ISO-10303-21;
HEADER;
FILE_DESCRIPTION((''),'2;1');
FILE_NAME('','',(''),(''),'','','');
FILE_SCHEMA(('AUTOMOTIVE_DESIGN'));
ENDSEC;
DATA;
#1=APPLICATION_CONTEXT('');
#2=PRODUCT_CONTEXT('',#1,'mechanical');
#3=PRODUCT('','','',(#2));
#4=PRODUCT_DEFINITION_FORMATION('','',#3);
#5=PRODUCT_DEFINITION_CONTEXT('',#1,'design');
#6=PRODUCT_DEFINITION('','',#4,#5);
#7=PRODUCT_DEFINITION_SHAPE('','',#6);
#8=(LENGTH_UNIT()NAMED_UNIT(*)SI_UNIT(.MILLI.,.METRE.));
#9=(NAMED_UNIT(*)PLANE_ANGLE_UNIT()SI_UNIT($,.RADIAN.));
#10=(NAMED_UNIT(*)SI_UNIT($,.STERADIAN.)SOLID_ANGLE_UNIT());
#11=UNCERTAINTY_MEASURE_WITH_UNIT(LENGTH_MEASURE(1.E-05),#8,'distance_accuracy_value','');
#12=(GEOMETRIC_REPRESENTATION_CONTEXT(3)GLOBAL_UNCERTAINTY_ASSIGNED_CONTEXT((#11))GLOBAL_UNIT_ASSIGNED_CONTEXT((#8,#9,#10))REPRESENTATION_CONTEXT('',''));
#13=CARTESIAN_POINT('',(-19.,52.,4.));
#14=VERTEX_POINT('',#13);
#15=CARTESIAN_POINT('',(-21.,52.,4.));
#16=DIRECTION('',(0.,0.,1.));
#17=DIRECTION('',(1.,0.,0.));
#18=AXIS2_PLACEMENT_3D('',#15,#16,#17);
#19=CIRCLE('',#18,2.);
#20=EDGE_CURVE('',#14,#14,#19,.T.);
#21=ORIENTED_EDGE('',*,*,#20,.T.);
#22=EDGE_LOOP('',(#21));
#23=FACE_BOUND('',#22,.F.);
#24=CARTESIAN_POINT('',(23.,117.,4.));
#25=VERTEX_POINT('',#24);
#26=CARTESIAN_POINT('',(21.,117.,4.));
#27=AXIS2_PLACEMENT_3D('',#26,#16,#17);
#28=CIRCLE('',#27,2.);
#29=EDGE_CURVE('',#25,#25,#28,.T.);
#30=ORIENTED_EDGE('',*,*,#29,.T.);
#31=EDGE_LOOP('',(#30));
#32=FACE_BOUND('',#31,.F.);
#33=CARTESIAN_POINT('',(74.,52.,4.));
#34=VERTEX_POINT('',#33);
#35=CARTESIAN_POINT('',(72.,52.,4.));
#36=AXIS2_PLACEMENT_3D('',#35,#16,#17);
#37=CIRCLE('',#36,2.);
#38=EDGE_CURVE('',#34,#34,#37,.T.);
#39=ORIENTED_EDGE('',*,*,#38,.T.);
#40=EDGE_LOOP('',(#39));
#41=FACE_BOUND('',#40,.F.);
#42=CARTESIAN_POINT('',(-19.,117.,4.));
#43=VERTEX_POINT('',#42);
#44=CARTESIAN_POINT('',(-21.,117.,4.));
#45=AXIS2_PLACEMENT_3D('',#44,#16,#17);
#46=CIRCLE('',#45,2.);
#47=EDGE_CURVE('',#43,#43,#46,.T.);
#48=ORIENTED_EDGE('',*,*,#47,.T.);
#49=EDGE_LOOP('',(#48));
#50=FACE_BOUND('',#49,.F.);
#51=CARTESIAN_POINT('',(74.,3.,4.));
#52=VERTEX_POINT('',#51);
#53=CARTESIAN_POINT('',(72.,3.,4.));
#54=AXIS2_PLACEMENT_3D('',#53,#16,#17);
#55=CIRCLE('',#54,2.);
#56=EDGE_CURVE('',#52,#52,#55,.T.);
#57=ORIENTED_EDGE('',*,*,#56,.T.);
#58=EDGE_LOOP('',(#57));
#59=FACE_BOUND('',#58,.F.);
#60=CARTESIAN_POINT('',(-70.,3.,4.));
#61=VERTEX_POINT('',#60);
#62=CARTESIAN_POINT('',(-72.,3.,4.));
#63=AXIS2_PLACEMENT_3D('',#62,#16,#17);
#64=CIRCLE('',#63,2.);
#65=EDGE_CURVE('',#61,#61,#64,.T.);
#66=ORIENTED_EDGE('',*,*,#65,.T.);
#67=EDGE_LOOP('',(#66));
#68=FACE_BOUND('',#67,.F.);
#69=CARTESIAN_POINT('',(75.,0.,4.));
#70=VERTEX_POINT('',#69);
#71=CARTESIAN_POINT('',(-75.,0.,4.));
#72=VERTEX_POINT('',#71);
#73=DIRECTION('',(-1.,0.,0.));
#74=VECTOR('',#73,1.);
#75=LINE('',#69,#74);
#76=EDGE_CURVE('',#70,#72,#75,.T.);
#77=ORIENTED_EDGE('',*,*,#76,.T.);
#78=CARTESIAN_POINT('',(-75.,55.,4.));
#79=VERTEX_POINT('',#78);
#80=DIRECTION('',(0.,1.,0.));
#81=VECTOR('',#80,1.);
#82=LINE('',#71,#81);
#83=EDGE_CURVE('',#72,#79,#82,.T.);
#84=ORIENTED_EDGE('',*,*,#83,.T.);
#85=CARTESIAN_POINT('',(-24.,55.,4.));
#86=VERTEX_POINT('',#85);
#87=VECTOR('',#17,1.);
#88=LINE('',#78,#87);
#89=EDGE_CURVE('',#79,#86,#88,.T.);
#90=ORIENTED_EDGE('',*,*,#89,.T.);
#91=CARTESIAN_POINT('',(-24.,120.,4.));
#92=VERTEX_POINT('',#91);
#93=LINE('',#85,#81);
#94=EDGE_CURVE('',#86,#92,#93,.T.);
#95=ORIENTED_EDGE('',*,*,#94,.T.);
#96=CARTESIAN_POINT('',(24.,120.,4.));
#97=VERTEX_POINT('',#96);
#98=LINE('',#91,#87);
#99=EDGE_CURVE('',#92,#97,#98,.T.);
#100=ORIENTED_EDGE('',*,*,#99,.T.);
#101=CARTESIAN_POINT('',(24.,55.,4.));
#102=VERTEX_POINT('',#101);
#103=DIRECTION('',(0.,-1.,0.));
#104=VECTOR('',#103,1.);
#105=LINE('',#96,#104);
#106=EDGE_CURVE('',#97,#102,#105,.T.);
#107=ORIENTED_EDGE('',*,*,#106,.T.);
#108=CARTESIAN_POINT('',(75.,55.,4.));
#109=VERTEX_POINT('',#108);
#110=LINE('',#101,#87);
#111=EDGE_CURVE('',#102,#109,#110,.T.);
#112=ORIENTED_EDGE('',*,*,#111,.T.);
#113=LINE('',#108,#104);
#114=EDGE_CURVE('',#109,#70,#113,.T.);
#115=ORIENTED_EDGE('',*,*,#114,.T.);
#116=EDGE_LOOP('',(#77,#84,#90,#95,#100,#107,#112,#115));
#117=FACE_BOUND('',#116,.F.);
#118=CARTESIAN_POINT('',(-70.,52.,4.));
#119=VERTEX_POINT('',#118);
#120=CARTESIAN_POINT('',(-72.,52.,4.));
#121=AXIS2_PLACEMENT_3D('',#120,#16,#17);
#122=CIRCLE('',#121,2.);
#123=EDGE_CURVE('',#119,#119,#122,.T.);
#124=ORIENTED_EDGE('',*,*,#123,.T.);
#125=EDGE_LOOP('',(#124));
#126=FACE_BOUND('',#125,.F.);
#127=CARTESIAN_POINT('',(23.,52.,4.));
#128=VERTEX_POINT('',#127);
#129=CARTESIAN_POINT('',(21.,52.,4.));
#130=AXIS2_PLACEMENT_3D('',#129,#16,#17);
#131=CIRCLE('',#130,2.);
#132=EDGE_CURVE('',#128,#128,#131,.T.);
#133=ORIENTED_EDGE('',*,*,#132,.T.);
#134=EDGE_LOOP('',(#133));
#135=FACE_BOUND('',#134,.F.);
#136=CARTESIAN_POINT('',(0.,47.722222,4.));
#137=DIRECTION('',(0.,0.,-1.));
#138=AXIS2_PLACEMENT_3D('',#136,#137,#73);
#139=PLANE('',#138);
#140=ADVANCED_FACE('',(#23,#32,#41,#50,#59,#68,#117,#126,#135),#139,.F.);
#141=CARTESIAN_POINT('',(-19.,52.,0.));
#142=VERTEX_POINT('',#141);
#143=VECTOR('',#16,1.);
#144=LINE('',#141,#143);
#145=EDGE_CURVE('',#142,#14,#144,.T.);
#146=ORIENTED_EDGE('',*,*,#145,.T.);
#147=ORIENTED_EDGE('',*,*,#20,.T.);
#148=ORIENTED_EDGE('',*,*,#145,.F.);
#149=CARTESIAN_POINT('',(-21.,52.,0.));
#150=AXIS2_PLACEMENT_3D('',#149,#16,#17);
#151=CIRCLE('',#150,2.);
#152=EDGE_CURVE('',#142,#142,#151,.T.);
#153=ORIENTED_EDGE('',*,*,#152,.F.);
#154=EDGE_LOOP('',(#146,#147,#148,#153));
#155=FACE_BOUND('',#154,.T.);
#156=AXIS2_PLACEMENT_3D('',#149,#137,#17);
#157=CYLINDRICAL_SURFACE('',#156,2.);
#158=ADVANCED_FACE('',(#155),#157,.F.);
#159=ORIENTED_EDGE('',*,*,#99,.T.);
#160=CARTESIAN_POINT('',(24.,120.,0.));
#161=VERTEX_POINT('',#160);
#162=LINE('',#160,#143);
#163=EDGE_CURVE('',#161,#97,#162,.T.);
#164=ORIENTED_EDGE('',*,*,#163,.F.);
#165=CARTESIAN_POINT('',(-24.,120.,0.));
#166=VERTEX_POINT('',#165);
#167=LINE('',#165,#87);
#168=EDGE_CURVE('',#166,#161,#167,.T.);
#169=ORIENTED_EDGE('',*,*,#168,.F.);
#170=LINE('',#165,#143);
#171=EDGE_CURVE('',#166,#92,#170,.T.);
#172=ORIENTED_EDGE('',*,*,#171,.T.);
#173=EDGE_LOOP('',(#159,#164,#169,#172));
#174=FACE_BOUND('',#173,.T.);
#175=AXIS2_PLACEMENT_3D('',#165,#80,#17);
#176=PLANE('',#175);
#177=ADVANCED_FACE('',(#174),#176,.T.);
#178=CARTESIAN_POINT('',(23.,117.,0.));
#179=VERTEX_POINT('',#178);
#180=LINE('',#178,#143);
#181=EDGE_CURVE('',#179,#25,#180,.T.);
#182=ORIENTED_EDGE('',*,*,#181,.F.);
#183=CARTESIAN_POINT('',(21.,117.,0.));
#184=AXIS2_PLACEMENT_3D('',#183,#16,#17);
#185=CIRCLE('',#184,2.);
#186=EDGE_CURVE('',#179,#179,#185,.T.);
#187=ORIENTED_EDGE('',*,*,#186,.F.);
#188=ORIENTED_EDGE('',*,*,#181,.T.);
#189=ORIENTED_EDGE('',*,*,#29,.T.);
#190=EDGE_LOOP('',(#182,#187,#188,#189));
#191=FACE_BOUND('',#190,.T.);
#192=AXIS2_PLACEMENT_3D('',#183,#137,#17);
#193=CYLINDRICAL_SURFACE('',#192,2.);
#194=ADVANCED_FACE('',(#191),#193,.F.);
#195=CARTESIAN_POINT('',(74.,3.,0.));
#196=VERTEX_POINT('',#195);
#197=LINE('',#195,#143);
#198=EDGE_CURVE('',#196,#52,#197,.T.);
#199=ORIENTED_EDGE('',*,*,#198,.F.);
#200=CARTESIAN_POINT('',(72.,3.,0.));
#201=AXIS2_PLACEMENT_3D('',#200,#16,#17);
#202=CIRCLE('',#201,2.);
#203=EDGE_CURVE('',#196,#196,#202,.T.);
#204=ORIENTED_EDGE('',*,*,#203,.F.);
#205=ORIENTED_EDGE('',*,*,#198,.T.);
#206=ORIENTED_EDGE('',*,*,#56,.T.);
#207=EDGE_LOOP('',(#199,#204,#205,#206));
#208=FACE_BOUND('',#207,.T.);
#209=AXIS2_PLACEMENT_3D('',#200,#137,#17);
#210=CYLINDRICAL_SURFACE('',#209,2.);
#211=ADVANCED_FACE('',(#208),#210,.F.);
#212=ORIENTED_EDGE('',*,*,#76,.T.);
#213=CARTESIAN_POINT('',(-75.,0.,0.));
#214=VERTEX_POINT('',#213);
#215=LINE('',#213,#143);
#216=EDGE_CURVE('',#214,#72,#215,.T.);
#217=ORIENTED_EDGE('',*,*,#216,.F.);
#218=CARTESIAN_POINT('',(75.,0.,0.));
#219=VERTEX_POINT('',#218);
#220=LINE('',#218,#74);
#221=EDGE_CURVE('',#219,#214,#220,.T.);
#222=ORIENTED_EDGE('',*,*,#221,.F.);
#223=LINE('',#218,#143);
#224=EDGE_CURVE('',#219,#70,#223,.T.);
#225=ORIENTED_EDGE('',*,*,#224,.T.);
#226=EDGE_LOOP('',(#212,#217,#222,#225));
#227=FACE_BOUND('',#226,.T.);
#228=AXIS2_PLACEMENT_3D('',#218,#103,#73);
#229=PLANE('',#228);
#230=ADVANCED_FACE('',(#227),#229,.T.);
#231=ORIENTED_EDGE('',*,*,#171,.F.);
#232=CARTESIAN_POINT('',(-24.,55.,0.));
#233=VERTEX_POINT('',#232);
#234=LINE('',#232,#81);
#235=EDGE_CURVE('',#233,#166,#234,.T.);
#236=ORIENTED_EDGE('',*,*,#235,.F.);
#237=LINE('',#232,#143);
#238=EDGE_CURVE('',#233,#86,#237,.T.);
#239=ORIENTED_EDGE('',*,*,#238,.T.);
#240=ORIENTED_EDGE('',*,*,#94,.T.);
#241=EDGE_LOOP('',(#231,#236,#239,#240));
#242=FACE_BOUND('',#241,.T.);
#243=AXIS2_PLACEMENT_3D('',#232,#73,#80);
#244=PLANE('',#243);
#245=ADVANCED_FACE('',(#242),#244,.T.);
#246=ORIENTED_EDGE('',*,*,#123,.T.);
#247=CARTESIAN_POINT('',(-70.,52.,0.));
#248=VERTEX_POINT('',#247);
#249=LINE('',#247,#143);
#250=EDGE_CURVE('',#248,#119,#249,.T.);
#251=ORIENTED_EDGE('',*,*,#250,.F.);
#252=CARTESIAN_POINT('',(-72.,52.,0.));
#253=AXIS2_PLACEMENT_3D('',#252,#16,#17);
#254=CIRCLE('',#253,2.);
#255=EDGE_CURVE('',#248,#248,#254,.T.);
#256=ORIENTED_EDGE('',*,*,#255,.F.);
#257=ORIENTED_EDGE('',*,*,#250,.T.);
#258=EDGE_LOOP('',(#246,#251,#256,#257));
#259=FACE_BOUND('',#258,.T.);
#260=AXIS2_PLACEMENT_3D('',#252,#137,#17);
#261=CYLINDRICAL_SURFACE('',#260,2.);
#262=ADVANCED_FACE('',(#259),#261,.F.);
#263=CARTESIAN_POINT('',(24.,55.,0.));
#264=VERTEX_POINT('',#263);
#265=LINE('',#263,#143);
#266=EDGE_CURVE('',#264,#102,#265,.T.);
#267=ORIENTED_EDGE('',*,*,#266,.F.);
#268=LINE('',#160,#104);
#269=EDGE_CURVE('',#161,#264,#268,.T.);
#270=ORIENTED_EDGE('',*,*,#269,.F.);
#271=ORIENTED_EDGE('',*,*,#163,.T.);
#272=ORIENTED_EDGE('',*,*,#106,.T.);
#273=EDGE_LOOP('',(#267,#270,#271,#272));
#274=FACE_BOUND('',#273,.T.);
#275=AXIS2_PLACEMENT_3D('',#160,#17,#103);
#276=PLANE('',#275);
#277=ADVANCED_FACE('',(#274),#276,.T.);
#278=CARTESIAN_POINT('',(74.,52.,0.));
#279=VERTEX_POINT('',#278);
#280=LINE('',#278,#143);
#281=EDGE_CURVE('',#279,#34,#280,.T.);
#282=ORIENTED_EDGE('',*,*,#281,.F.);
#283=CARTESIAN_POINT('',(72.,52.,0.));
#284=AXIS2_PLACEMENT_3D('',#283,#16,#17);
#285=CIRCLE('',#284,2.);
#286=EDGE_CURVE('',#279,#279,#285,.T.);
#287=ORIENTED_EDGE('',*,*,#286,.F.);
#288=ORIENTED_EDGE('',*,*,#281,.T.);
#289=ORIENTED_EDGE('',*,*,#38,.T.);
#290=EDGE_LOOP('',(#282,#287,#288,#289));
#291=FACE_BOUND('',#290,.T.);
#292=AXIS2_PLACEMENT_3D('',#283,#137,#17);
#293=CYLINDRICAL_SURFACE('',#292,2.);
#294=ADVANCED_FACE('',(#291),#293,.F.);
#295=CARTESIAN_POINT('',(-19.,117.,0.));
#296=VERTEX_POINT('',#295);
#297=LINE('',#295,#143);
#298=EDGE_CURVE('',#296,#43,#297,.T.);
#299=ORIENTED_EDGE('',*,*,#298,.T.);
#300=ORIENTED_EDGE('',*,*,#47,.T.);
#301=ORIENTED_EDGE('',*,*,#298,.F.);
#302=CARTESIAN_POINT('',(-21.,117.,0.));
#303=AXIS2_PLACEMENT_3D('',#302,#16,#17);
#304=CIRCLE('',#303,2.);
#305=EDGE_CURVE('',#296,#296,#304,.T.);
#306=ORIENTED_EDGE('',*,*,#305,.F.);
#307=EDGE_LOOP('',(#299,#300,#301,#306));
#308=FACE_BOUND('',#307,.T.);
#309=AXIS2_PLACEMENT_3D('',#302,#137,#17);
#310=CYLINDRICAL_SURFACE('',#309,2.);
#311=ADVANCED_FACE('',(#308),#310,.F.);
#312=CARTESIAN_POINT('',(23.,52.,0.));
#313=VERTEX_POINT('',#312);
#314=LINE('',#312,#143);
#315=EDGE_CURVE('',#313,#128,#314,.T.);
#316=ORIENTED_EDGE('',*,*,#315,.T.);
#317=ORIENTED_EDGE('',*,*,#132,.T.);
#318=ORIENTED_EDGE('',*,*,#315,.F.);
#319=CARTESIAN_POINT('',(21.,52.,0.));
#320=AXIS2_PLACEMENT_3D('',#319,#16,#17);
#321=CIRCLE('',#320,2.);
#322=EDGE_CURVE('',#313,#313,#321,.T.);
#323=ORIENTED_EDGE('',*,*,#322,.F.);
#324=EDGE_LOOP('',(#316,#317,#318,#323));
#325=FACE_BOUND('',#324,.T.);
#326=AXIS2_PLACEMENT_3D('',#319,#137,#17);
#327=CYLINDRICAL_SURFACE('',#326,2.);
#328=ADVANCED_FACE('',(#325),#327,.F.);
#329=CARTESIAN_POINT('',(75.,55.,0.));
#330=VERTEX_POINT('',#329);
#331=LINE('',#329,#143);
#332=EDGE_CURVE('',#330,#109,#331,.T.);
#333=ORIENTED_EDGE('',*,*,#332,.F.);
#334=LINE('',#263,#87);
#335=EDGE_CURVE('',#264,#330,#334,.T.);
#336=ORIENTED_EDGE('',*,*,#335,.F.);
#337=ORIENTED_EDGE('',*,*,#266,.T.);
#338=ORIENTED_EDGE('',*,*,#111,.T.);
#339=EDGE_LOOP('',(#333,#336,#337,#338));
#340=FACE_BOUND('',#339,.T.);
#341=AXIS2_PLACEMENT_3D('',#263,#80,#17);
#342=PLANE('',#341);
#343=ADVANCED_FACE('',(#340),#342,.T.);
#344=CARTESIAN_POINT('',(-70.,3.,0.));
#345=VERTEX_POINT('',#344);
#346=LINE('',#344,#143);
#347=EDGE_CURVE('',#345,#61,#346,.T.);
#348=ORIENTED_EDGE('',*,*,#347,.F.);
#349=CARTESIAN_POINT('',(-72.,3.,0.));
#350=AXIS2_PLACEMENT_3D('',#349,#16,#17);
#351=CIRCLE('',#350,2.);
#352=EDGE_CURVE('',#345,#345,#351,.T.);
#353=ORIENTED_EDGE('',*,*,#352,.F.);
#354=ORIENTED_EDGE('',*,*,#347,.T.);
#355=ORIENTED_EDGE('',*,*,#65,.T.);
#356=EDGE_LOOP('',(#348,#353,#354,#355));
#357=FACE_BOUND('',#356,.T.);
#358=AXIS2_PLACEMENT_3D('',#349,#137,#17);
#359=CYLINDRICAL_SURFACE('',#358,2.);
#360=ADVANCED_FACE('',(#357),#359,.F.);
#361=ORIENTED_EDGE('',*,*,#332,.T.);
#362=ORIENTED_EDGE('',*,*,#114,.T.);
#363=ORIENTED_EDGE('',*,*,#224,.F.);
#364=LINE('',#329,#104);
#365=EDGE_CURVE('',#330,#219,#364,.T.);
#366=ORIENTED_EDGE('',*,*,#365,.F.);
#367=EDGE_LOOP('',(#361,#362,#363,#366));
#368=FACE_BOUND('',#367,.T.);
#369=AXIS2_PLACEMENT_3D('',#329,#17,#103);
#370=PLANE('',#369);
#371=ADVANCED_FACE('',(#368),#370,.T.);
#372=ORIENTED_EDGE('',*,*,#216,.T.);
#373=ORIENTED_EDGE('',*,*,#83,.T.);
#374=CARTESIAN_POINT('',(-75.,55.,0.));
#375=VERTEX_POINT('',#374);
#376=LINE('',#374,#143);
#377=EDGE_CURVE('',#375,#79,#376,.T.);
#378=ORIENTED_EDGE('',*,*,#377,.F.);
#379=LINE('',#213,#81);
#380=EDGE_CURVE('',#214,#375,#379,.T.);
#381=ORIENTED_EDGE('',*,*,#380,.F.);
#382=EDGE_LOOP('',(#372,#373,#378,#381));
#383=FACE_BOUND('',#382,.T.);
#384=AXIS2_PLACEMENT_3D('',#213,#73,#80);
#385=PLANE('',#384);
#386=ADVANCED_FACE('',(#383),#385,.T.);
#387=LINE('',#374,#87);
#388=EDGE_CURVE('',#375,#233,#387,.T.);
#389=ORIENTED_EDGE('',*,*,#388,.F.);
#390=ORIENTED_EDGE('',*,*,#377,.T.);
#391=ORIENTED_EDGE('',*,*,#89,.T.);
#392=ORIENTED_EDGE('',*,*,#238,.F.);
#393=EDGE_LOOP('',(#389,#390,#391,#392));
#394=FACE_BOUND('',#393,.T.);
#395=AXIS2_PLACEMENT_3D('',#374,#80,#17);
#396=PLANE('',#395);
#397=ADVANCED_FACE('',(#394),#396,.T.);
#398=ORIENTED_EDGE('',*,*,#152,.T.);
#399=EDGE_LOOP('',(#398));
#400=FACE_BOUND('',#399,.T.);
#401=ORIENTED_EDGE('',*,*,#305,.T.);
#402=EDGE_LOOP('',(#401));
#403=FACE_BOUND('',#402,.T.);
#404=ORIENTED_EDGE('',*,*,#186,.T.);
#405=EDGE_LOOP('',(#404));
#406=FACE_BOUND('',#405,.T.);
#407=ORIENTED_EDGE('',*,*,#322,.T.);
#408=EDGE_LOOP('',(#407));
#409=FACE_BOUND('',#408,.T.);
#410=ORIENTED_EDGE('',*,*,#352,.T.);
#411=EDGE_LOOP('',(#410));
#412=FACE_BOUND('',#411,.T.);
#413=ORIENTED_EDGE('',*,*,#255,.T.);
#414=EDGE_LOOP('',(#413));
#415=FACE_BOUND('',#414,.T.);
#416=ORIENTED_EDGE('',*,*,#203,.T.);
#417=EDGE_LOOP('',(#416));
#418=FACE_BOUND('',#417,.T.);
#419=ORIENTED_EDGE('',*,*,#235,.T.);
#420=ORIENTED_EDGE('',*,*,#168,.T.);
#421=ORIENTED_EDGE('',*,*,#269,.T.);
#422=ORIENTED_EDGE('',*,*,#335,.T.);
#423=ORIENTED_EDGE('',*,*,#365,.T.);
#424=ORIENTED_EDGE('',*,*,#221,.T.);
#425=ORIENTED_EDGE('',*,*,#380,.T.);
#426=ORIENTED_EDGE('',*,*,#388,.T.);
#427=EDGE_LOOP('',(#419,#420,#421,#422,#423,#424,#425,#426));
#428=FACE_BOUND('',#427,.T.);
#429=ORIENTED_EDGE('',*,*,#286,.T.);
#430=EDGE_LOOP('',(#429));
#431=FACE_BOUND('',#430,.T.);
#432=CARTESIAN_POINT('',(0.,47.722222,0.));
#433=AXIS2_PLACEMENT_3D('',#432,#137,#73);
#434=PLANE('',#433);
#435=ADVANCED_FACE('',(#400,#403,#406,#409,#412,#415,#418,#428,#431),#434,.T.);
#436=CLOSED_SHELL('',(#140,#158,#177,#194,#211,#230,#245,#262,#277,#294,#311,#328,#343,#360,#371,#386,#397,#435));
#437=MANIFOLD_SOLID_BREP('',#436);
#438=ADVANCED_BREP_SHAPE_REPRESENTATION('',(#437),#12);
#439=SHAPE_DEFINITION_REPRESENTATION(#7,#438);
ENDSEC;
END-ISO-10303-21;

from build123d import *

# Parameters (mm, degrees)
SKETCH_R  = 2
PAD_DEPTH = 4


with BuildPart() as part:
    # Sketch → Pad (new body)
    with BuildSketch(Plane.XY):
        Polygon((-24, 120), (24, 120), (24, 55), (75, 55), (75, 0), (-75, 0), (-75, 55), (-24, 55), align=None)
        with Locations((-21, 52)):
            Circle(SKETCH_R, mode=Mode.SUBTRACT)
        with Locations((-21, 117)):
            Circle(SKETCH_R, mode=Mode.SUBTRACT)
        with Locations((21, 117)):
            Circle(SKETCH_R, mode=Mode.SUBTRACT)
        with Locations((21, 52)):
            Circle(SKETCH_R, mode=Mode.SUBTRACT)
        with Locations((72, 52)):
            Circle(SKETCH_R, mode=Mode.SUBTRACT)
        with Locations((72, 3)):
            Circle(SKETCH_R, mode=Mode.SUBTRACT)
        with Locations((-72, 52)):
            Circle(SKETCH_R, mode=Mode.SUBTRACT)
        with Locations((-72, 3)):
            Circle(SKETCH_R, mode=Mode.SUBTRACT)
    extrude(amount=PAD_DEPTH)


solid = part.part
